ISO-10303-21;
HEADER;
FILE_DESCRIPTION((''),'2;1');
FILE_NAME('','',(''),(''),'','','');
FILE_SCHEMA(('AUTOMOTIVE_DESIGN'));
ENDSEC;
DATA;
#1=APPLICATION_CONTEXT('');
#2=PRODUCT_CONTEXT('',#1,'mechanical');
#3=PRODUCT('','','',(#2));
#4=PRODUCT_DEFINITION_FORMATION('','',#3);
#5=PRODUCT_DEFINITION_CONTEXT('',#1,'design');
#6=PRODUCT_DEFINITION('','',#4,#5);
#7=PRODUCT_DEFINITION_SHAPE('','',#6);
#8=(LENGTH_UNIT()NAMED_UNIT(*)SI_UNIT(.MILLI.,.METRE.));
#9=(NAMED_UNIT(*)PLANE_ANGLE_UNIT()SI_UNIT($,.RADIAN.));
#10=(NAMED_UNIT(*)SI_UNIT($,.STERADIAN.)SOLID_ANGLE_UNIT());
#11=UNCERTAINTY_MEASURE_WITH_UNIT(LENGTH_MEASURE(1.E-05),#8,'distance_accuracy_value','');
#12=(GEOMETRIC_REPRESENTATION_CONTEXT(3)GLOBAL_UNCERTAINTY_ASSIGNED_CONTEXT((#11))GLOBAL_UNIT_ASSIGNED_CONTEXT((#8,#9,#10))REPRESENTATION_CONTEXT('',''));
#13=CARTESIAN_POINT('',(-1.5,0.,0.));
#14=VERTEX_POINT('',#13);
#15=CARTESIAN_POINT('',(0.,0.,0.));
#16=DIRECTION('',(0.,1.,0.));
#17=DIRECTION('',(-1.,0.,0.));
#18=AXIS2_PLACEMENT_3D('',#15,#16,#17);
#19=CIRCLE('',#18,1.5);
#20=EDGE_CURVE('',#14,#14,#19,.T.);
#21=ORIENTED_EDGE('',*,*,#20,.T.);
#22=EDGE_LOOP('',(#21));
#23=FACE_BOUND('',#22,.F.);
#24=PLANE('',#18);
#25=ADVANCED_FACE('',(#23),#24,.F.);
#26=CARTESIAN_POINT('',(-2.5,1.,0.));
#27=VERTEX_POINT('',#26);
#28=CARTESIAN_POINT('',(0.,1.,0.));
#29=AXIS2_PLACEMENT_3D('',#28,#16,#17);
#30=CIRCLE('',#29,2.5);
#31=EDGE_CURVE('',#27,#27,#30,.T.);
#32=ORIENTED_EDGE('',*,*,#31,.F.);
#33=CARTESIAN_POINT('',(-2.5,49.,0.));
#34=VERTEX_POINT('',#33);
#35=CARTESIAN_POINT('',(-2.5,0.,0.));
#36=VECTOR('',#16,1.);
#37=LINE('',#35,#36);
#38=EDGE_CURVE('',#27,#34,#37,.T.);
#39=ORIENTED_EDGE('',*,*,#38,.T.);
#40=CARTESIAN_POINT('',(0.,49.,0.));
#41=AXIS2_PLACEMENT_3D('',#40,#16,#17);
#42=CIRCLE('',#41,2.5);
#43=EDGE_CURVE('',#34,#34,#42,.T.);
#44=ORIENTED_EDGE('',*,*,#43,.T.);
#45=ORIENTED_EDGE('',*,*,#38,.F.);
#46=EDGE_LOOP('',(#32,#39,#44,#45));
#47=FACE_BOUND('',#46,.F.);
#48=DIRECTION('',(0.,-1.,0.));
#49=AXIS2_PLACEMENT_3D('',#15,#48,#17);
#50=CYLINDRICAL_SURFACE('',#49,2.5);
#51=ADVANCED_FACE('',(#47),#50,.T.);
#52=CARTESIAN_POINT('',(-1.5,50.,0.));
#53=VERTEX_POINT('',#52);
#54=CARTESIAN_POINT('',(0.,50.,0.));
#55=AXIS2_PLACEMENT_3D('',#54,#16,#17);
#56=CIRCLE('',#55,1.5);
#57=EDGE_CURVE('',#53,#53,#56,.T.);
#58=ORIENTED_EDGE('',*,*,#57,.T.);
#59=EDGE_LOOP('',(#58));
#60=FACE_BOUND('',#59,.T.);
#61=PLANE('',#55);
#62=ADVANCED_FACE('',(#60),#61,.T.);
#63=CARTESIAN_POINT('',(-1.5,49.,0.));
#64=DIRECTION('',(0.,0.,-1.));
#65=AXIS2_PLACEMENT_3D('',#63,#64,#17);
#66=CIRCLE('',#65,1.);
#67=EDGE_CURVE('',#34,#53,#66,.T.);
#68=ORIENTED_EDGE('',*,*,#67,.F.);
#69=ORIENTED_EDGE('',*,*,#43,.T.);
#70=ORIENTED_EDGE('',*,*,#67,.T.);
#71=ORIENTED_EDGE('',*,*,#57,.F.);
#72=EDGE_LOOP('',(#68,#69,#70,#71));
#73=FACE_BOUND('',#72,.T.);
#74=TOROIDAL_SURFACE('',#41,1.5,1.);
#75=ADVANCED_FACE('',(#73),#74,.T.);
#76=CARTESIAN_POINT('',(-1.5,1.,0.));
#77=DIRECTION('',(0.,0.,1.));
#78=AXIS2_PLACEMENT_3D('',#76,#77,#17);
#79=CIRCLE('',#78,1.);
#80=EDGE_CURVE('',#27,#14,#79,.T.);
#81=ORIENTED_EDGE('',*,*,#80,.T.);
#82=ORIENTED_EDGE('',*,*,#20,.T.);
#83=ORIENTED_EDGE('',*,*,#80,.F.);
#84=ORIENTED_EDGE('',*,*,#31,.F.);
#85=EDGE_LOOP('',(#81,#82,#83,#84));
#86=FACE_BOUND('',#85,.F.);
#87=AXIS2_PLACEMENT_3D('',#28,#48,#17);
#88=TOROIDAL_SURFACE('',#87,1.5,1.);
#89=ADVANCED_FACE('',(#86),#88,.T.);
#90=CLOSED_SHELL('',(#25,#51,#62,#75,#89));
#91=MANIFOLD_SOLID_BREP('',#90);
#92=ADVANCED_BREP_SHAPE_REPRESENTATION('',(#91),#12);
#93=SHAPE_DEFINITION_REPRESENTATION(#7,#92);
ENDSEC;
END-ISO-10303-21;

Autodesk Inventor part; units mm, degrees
ref_plane "YZ Plane" through (0, 0, 0) normal (1, 0, 0) x (0, 1, 0)
ref_plane "XZ Plane" through (0, 0, 0) normal (0, 1, 0) x (-1, 0, 0)
ref_plane "XY Plane" through (0, 0, 0) normal (0, 0, 1) x (1, 0, 0)
sketch "Sketch1" plane through (0, 0, 0) normal (0, 1, 0) x (-1, 0, 0)
  circle A0 centre (0, 0) radius 2.5
  dimension "d0" = 5
extrude "Extrusion1" add sketch "Sketch1" along normal blind 50
fillet "Fillet1" radius 1 2 edges at (2.5, 50, 0) (2.5, 0, 0)
properties part number "Drivescrew Handle"
